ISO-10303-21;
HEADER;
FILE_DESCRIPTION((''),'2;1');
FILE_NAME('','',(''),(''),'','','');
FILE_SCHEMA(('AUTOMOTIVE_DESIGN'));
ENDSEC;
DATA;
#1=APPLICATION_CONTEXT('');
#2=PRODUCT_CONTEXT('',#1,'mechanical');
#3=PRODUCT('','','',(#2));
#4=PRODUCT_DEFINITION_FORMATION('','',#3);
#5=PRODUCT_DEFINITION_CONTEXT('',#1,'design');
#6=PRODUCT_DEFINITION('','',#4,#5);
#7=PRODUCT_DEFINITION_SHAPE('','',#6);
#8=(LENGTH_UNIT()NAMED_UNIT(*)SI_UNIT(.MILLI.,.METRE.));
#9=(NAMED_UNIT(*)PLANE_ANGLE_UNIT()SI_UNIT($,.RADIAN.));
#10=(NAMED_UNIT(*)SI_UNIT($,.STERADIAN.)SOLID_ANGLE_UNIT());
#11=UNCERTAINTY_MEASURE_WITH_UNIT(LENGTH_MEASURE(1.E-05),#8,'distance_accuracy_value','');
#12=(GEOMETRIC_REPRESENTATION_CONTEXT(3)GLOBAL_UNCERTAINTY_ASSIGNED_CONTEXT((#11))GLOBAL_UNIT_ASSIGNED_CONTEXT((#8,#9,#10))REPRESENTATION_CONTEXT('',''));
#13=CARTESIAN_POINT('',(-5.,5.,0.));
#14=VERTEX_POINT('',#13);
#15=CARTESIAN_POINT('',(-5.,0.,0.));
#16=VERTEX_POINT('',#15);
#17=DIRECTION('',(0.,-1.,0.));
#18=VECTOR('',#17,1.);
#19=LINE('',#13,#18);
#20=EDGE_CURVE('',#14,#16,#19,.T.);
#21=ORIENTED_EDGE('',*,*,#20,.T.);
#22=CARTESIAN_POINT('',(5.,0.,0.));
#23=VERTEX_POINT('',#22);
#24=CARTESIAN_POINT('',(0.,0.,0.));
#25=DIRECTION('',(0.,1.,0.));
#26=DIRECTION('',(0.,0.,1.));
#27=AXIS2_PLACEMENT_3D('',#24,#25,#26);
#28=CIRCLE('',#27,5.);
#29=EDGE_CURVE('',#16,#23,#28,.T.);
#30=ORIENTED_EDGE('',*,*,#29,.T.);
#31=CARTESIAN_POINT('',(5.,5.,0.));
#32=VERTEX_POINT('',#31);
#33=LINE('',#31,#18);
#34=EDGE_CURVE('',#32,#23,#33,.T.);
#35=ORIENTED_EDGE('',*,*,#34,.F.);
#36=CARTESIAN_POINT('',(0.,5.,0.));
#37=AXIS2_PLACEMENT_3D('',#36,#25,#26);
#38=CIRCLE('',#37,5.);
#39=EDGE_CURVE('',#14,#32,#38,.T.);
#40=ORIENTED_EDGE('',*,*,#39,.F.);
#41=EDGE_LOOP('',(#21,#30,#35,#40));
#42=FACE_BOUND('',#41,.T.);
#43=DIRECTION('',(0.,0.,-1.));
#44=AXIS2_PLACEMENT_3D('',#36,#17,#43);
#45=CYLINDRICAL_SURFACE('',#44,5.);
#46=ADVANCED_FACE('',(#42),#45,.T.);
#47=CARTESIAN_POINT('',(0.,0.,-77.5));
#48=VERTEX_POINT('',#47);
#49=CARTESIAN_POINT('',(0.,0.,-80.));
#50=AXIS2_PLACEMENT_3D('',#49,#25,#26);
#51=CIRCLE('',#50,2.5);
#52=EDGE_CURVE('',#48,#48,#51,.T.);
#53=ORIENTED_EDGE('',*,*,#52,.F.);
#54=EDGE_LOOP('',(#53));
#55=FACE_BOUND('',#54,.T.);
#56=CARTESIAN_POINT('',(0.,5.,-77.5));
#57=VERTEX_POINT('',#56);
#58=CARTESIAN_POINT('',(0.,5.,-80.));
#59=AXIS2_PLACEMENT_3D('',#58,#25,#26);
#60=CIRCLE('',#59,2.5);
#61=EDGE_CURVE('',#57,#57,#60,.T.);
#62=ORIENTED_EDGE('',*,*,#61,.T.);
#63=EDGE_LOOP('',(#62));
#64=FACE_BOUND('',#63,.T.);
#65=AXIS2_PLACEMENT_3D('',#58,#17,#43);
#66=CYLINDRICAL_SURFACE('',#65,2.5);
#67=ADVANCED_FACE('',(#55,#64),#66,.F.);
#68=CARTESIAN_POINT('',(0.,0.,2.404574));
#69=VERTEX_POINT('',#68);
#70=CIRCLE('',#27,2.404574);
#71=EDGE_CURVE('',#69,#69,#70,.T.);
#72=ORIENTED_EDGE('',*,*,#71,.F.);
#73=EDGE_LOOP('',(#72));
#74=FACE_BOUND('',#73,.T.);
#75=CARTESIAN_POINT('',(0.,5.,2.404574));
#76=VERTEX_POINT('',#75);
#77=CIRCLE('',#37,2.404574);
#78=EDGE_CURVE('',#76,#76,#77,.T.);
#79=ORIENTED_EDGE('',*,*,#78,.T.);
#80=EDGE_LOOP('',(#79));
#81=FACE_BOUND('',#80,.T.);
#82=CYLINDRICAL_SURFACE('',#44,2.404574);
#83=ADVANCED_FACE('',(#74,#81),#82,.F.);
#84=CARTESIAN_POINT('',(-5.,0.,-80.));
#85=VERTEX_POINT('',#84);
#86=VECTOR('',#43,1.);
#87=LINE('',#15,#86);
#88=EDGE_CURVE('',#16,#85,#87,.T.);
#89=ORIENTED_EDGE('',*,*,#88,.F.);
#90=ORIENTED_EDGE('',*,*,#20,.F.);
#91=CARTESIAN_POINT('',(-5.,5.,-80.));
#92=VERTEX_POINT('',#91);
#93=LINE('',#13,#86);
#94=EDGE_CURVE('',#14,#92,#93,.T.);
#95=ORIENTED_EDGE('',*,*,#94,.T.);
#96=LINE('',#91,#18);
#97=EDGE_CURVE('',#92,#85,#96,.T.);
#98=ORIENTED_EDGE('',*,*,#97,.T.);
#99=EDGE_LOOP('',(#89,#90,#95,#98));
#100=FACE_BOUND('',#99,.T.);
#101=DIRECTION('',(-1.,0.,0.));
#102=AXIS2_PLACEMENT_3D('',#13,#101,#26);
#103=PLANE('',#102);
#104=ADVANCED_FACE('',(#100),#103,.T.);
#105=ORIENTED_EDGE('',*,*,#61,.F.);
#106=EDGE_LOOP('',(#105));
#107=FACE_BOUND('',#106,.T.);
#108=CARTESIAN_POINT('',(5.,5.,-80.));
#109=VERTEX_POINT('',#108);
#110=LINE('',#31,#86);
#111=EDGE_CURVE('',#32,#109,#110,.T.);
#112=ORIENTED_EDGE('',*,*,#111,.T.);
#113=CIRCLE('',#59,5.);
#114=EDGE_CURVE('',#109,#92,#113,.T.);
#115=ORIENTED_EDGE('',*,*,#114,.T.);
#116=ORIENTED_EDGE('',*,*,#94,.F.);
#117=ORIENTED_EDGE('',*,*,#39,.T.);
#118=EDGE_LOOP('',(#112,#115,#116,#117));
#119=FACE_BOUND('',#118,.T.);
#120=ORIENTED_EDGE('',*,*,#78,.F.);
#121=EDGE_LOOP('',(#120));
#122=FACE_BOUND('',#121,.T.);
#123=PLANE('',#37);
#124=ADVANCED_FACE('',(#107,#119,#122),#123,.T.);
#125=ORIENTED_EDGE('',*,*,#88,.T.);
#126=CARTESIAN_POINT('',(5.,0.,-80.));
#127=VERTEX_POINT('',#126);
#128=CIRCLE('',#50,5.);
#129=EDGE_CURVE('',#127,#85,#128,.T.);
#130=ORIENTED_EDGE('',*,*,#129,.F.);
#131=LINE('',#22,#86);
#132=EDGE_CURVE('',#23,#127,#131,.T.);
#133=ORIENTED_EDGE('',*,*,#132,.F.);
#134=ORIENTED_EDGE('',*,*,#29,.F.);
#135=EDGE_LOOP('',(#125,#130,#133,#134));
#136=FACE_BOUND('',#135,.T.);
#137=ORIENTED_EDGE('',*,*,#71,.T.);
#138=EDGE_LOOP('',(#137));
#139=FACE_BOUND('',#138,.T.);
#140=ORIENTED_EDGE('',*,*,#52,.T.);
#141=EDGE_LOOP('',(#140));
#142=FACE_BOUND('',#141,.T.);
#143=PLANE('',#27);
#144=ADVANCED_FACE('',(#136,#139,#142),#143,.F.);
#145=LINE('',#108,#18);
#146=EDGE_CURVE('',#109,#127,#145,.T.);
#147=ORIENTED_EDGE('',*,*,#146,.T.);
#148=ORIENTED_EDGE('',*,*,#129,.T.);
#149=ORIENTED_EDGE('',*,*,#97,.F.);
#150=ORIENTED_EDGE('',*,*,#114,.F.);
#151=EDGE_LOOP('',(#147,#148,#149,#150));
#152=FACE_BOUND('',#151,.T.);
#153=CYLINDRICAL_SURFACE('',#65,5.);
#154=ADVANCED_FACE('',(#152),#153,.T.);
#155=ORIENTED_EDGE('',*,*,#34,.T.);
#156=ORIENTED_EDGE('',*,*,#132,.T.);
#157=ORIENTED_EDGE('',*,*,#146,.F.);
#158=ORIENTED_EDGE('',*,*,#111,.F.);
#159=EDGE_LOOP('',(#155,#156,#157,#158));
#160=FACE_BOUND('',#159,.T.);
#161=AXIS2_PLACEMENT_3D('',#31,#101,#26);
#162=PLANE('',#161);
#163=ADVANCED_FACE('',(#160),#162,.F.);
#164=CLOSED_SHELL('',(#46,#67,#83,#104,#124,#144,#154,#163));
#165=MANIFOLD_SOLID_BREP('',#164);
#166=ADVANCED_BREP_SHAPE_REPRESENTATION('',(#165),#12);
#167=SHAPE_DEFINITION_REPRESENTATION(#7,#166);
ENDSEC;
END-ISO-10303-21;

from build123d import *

# Parameters (mm, degrees)
SKETCH1_R           = 2.404574114
SKETCH1_R_2         = 2.5
BOSS_EXTRUDE3_DEPTH = 5


with BuildPart() as part:
    # Sketch1 → Boss-Extrude3 (new body)
    with BuildSketch(Plane(origin=(0, 0, 0), x_dir=(1, 0, 0), z_dir=(0, 1, 0))):
        with BuildLine():
            ThreePointArc((-5, 0), (0, -5), (5, 0))
            Line((5, 0), (5, 80))
            ThreePointArc((5, 80), (0, 85), (-5, 80))
            Line((-5, 80), (-5, 0))
        make_face()
        Circle(SKETCH1_R, mode=Mode.SUBTRACT)
        with Locations((0, 80)):
            Circle(SKETCH1_R_2, mode=Mode.SUBTRACT)
    extrude(amount=BOSS_EXTRUDE3_DEPTH)


solid = part.part
